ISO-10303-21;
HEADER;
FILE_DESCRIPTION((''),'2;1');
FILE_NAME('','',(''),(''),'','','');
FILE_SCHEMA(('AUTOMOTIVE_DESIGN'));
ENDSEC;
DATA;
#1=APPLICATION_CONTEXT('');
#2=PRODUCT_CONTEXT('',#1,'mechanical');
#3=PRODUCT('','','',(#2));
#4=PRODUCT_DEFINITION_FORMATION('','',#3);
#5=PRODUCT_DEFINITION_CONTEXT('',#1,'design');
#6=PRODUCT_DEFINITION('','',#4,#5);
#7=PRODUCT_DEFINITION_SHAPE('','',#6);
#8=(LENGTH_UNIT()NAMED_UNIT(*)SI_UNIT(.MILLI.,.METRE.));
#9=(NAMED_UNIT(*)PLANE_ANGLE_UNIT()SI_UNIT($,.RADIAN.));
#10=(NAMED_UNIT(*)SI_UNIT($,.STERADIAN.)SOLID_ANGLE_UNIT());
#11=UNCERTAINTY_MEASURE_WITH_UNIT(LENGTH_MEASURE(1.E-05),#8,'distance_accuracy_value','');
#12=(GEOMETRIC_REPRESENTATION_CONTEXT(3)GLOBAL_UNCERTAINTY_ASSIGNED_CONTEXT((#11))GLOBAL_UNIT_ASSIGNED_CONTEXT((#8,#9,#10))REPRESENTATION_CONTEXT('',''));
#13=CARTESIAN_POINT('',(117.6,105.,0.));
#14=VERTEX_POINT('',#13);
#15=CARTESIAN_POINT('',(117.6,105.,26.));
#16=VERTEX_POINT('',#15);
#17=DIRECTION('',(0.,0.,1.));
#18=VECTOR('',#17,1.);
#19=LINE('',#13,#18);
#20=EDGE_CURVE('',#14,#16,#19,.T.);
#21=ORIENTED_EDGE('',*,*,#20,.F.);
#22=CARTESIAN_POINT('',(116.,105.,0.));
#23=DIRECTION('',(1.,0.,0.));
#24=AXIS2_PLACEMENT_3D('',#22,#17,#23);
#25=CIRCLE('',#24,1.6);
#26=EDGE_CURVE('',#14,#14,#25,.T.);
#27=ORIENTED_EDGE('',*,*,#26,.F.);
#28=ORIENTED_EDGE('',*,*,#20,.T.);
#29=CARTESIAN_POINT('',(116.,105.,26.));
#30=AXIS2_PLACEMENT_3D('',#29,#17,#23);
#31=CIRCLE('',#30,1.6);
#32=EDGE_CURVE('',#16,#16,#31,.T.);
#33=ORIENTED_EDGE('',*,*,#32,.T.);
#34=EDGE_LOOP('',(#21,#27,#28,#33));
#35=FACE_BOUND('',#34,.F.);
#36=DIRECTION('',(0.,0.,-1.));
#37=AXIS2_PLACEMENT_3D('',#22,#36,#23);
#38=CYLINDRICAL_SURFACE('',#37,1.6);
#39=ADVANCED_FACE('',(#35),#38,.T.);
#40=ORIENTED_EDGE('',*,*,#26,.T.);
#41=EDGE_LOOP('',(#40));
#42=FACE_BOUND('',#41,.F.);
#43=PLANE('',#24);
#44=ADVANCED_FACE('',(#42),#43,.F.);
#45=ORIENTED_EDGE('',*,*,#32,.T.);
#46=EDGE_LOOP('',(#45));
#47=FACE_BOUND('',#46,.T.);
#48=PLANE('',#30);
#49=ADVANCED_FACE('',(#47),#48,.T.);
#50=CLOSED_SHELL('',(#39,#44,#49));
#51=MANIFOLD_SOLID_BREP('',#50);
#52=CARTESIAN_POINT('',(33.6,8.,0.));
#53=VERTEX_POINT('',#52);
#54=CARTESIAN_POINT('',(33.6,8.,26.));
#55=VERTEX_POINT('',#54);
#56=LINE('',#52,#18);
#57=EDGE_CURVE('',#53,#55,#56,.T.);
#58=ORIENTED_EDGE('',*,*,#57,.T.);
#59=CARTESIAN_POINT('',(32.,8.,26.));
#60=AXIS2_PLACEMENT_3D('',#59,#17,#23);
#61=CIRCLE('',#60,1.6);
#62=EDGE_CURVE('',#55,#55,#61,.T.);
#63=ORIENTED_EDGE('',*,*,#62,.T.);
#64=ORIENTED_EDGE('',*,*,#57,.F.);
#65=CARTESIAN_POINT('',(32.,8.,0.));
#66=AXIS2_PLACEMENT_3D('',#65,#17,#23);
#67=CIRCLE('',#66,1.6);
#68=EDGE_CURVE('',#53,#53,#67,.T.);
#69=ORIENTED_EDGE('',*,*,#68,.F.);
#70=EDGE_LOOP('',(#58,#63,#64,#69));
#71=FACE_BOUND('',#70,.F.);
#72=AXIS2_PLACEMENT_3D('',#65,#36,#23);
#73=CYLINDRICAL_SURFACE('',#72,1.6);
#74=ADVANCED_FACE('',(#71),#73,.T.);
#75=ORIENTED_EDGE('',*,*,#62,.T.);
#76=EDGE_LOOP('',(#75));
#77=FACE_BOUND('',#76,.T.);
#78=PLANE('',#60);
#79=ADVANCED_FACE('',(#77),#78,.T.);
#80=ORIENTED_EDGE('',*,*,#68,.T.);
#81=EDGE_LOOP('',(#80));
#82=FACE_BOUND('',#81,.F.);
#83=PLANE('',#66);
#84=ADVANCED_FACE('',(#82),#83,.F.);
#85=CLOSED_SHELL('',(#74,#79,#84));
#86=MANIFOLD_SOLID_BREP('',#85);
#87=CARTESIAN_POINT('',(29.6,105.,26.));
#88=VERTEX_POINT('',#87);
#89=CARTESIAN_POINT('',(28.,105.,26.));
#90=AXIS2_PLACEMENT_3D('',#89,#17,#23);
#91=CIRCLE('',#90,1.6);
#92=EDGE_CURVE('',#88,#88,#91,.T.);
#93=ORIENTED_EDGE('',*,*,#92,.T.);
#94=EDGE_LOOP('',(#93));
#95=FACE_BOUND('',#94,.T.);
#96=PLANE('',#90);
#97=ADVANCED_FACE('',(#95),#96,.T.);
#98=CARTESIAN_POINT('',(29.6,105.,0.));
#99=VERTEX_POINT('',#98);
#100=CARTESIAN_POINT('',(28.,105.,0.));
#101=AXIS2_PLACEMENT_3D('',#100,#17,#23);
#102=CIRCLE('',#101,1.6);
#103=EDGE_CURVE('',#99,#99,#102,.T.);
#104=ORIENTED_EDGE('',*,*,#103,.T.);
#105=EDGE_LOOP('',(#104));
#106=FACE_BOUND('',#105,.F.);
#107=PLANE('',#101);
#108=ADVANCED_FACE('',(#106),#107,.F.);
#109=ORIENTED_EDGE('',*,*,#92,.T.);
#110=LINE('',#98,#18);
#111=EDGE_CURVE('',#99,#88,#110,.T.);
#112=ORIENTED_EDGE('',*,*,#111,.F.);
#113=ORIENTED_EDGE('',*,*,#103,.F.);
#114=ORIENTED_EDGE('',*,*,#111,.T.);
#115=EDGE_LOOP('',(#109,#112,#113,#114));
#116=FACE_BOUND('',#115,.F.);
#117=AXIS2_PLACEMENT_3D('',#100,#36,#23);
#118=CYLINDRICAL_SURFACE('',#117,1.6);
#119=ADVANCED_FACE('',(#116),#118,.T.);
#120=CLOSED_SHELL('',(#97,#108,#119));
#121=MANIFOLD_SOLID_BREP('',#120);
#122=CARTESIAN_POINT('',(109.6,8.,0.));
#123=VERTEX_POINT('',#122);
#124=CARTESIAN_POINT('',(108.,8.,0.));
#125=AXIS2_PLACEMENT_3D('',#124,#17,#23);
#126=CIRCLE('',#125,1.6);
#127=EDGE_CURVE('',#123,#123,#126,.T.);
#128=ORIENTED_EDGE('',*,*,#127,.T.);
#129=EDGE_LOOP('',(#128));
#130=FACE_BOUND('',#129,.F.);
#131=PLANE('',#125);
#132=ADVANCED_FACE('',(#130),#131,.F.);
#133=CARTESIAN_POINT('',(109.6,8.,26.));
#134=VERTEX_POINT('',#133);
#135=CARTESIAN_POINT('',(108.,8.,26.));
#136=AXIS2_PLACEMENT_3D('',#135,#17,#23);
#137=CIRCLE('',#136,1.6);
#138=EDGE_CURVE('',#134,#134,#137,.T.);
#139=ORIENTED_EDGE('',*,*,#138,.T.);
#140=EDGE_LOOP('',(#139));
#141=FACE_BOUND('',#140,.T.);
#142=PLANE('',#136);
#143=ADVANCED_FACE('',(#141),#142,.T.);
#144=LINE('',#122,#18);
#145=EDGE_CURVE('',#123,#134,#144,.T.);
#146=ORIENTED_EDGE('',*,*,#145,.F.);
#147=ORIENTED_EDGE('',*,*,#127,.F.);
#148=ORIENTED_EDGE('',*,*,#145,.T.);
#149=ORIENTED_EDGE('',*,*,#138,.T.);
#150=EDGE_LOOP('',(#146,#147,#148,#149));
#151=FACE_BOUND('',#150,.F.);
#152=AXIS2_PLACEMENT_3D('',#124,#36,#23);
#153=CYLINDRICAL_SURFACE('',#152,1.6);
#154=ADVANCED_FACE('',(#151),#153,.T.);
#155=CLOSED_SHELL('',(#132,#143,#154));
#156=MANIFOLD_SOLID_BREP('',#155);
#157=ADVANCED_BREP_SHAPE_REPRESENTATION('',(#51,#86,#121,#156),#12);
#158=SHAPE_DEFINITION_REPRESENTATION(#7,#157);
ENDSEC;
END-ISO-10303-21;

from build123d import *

# Parameters (mm, degrees)
CYLINDER096_R     = 1.6
CYLINDER096_DEPTH = 26
CYLINDER097_R     = 1.6
CYLINDER097_DEPTH = 26
CYLINDER098_R     = 1.6
CYLINDER098_DEPTH = 26
CYLINDER095_R     = 1.6
CYLINDER095_DEPTH = 26


with BuildPart() as cylinder098:
    # Cylinder096 → Cylinder096 (new body)
    with BuildSketch(Plane(origin=(32, 8, 0), x_dir=(1, 0, 0), z_dir=(0, 0, 1))):
        Circle(CYLINDER096_R)
    extrude(amount=CYLINDER096_DEPTH)


with BuildPart() as cylinder099:
    # Cylinder097 → Cylinder097 (new body)
    with BuildSketch(Plane(origin=(116, 105, 0), x_dir=(1, 0, 0), z_dir=(0, 0, 1))):
        Circle(CYLINDER097_R)
    extrude(amount=CYLINDER097_DEPTH)


with BuildPart() as cylinder100:
    # Cylinder098 → Cylinder098 (new body)
    with BuildSketch(Plane(origin=(28, 105, 0), x_dir=(1, 0, 0), z_dir=(0, 0, 1))):
        Circle(CYLINDER098_R)
    extrude(amount=CYLINDER098_DEPTH)


with BuildPart() as bottomcuts:
    # Cylinder095 → Cylinder095 (new body)
    with BuildSketch(Plane(origin=(108, 8, 0), x_dir=(1, 0, 0), z_dir=(0, 0, 1))):
        Circle(CYLINDER095_R)
    extrude(amount=CYLINDER095_DEPTH)

    # Fusion045: union Cylinder098, Cylinder099, Cylinder100
    add(cylinder098.part)
    add(cylinder099.part)
    add(cylinder100.part)


solid = bottomcuts.part
